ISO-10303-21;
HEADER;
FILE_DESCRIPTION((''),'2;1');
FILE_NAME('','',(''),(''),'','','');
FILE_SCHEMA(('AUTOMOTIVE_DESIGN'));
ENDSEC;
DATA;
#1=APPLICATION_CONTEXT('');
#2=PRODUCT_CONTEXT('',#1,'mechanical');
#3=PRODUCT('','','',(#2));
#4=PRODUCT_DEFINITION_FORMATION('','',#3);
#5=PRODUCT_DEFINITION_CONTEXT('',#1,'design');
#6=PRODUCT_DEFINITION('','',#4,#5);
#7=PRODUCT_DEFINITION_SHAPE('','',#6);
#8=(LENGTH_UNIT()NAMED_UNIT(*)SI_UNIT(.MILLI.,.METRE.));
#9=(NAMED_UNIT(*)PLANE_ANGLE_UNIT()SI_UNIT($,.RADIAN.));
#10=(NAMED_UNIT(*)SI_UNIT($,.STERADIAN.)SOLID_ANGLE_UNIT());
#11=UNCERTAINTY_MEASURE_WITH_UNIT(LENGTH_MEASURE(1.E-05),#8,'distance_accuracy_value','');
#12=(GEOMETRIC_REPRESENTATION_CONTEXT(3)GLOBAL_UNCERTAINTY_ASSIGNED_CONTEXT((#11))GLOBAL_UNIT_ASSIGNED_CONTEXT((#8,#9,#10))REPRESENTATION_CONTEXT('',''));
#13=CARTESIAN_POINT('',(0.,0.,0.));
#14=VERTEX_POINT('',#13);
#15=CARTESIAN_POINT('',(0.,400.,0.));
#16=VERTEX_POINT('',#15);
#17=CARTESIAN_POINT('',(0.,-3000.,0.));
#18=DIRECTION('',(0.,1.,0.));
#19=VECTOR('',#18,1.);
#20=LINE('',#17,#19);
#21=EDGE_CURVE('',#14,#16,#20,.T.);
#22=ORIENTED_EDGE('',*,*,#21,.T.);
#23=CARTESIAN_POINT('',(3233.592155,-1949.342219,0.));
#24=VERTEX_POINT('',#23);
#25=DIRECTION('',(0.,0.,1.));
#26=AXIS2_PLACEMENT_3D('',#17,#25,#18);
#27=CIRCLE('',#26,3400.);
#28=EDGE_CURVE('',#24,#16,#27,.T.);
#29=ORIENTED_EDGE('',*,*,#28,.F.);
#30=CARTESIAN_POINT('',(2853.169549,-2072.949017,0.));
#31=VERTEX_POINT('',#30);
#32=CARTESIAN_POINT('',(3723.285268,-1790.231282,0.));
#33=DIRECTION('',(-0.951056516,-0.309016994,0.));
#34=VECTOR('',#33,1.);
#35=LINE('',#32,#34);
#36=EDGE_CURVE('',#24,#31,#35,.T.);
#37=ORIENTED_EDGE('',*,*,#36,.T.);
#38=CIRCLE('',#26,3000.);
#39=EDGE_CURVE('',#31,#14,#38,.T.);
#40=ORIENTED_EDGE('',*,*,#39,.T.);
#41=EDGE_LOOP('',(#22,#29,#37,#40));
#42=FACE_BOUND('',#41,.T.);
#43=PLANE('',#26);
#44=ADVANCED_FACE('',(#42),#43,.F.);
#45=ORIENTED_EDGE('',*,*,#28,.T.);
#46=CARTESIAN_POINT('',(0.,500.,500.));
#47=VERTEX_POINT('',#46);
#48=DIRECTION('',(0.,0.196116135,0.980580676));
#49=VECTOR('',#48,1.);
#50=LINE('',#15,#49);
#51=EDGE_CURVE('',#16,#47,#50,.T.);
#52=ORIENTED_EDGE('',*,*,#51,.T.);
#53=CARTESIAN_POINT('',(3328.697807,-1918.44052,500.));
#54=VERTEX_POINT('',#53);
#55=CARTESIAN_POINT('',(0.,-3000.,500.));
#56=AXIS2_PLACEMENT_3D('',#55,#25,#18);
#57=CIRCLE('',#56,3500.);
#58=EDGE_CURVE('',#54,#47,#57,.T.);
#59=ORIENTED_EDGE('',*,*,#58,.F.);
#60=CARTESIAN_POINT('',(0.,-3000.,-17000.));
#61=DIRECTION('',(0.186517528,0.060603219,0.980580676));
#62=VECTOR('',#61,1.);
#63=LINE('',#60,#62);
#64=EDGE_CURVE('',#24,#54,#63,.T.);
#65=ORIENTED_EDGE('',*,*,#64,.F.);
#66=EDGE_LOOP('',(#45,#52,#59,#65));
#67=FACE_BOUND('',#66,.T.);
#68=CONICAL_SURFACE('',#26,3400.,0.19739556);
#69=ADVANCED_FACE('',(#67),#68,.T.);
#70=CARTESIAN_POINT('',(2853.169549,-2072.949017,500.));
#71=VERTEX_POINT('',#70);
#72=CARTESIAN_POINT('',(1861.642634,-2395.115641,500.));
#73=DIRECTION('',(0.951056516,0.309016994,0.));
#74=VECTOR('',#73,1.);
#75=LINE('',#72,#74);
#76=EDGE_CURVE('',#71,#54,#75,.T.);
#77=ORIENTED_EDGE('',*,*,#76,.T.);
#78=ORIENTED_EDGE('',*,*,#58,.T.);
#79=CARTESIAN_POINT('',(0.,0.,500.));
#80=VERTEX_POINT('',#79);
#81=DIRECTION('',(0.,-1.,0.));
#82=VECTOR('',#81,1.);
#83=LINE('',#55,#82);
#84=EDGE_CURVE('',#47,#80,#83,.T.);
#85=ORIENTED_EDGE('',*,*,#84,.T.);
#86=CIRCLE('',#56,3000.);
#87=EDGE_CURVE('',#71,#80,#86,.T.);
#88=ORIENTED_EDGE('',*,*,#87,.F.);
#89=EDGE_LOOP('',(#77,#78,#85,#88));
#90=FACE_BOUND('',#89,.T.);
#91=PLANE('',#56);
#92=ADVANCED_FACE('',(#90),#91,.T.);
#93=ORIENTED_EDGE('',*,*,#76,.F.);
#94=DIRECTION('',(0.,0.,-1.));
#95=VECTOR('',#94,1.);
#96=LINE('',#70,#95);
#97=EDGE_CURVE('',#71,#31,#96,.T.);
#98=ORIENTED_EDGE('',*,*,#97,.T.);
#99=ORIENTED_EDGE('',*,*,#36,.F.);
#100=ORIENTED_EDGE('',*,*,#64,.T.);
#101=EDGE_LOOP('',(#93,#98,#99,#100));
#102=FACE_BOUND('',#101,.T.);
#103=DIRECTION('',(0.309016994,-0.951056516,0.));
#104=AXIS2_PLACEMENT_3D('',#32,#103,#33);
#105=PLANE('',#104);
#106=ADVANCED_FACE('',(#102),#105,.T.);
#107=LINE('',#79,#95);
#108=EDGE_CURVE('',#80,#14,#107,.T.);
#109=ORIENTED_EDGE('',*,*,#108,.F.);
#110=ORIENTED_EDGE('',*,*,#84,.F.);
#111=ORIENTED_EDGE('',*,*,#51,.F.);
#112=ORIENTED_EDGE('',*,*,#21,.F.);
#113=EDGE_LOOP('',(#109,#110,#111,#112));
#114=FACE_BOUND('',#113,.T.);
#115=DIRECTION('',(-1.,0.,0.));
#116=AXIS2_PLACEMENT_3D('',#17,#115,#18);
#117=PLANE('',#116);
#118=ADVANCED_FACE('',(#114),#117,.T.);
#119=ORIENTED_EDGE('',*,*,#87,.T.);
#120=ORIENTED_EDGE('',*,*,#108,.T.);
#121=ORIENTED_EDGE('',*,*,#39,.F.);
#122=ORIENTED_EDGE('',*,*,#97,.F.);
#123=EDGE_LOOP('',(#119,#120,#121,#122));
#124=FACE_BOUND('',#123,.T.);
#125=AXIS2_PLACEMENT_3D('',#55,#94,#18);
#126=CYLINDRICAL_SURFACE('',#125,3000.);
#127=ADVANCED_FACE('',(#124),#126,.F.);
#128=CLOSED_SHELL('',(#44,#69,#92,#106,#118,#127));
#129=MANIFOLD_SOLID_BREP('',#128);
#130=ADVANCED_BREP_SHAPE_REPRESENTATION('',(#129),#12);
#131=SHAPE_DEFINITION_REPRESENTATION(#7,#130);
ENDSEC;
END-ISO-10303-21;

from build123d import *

# Parameters (mm, degrees)
F3_DEPTH = 2220


with BuildPart() as f1:
    # F0 (on Right) → F1 (revolve)
    with BuildSketch(Plane.YZ):
        Polygon((0, 500), (0, 0), (400, 0), (500, 500), align=None)
    revolve(axis=Axis((0, -3000, 250), (0, 0, 1)))

    # F2 (on Top) → F3 (cut)
    with BuildSketch(Plane.XY):
        with BuildLine():
            Line((0, -3000), (0, 0))
            Line((0, 0), (0, 914.893809))
            ThreePointArc((0, 914.893809), (-2768.24796, -5768.24796), (3914.893809, -3000))
            ThreePointArc((3914.893809, -3000), (3866.69497, -2387.575681), (3723.285268, -1790.231282))
            Line((3723.285268, -1790.231282), (0, -3000))
        make_face()
    extrude(amount=F3_DEPTH, mode=Mode.SUBTRACT)


solid = f1.part
